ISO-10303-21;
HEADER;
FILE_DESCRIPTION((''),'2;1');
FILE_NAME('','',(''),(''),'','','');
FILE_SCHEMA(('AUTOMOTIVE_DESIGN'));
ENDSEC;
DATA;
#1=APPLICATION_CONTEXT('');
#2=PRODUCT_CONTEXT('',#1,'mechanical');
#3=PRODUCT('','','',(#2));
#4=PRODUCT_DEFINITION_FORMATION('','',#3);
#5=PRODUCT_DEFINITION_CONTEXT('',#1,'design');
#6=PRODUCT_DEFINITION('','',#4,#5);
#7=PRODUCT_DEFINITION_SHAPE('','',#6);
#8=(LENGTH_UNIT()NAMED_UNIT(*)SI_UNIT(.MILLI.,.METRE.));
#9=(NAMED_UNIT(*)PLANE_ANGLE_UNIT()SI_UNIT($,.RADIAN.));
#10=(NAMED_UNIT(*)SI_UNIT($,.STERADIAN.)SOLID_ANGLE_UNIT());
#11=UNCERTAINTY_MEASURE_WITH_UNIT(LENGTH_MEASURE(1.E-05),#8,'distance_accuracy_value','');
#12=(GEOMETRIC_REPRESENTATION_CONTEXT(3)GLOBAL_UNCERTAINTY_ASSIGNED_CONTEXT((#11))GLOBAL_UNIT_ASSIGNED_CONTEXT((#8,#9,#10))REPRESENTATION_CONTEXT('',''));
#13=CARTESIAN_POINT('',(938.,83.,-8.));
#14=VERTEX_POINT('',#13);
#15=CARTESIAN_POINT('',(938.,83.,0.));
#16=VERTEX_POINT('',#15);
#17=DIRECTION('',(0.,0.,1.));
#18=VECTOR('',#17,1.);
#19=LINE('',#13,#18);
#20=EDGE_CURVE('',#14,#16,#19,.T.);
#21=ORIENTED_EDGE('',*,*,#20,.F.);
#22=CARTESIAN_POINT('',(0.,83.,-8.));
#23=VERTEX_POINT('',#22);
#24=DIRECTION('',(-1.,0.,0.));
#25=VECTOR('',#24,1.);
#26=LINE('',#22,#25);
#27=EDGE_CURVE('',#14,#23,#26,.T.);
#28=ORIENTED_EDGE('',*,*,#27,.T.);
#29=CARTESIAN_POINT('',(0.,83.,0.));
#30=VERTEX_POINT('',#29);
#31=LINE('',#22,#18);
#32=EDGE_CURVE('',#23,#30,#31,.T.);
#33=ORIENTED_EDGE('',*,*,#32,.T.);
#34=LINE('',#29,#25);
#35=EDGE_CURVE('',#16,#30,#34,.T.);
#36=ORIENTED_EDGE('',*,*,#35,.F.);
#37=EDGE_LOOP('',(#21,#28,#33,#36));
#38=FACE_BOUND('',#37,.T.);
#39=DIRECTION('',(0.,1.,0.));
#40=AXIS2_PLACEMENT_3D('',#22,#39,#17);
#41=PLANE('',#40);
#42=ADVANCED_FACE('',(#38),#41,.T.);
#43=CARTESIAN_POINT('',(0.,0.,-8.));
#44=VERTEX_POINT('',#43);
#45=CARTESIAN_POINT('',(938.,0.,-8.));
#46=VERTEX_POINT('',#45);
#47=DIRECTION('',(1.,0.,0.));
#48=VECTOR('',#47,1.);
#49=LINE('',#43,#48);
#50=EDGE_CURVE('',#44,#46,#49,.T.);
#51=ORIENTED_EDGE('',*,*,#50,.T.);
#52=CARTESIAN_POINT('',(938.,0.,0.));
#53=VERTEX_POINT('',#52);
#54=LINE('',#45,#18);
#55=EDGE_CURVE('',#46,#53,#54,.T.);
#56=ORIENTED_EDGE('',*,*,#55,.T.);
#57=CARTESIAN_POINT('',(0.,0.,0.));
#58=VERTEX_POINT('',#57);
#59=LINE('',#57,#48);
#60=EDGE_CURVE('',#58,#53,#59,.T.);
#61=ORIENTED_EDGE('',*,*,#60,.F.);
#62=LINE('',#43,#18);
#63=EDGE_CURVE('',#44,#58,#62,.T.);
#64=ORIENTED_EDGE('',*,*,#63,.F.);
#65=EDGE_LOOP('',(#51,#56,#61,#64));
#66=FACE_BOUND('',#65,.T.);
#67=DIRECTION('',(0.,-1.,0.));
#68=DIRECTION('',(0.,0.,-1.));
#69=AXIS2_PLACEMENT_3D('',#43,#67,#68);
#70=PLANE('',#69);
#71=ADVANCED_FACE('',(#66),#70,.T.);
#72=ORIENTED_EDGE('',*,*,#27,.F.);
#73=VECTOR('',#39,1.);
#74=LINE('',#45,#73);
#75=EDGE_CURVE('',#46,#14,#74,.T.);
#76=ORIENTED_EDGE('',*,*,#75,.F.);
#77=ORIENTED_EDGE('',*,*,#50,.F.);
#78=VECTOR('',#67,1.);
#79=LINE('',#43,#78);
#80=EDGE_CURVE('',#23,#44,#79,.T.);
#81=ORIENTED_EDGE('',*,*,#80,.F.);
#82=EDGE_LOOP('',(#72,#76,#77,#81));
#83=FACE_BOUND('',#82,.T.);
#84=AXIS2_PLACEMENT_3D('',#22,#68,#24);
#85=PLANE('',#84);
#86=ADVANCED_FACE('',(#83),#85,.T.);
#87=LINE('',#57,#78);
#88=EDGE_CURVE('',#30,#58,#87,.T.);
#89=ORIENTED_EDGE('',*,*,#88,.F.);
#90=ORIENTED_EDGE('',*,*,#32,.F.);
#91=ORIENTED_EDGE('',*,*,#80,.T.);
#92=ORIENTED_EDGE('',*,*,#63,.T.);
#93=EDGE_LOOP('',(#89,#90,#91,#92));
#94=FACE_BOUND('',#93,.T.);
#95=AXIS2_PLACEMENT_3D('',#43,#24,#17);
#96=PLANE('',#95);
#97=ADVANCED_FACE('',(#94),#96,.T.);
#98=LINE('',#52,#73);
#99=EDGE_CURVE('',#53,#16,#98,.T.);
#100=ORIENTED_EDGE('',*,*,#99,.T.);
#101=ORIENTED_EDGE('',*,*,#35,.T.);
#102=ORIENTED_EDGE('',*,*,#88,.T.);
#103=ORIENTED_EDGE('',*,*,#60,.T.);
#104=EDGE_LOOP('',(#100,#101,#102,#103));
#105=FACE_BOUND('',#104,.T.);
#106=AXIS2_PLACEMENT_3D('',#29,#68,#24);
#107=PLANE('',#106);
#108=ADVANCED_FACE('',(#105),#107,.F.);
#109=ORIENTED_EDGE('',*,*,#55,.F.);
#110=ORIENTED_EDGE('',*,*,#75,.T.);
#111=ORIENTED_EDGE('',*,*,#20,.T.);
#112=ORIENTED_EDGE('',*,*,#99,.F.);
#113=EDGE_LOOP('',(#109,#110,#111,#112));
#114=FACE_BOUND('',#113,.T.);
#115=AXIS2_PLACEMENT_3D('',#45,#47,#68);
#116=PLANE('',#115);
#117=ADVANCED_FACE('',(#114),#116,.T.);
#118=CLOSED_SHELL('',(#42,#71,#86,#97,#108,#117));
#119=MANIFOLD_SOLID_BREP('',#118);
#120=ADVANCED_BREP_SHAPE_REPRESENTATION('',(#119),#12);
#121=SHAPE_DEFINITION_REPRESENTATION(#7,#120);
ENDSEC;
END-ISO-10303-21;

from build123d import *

# Parameters (mm, degrees)
ESQUISSE1_W      = 938
ESQUISSE1_H      = 83
EXTRUSION1_DEPTH = 8


with BuildPart() as part:
    # Esquisse1 → Extrusion1 (new body)
    with BuildSketch(Plane.XY):
        with Locations((469, 41.5)):
            Rectangle(ESQUISSE1_W, ESQUISSE1_H)
    extrude(amount=-EXTRUSION1_DEPTH)


solid = part.part
